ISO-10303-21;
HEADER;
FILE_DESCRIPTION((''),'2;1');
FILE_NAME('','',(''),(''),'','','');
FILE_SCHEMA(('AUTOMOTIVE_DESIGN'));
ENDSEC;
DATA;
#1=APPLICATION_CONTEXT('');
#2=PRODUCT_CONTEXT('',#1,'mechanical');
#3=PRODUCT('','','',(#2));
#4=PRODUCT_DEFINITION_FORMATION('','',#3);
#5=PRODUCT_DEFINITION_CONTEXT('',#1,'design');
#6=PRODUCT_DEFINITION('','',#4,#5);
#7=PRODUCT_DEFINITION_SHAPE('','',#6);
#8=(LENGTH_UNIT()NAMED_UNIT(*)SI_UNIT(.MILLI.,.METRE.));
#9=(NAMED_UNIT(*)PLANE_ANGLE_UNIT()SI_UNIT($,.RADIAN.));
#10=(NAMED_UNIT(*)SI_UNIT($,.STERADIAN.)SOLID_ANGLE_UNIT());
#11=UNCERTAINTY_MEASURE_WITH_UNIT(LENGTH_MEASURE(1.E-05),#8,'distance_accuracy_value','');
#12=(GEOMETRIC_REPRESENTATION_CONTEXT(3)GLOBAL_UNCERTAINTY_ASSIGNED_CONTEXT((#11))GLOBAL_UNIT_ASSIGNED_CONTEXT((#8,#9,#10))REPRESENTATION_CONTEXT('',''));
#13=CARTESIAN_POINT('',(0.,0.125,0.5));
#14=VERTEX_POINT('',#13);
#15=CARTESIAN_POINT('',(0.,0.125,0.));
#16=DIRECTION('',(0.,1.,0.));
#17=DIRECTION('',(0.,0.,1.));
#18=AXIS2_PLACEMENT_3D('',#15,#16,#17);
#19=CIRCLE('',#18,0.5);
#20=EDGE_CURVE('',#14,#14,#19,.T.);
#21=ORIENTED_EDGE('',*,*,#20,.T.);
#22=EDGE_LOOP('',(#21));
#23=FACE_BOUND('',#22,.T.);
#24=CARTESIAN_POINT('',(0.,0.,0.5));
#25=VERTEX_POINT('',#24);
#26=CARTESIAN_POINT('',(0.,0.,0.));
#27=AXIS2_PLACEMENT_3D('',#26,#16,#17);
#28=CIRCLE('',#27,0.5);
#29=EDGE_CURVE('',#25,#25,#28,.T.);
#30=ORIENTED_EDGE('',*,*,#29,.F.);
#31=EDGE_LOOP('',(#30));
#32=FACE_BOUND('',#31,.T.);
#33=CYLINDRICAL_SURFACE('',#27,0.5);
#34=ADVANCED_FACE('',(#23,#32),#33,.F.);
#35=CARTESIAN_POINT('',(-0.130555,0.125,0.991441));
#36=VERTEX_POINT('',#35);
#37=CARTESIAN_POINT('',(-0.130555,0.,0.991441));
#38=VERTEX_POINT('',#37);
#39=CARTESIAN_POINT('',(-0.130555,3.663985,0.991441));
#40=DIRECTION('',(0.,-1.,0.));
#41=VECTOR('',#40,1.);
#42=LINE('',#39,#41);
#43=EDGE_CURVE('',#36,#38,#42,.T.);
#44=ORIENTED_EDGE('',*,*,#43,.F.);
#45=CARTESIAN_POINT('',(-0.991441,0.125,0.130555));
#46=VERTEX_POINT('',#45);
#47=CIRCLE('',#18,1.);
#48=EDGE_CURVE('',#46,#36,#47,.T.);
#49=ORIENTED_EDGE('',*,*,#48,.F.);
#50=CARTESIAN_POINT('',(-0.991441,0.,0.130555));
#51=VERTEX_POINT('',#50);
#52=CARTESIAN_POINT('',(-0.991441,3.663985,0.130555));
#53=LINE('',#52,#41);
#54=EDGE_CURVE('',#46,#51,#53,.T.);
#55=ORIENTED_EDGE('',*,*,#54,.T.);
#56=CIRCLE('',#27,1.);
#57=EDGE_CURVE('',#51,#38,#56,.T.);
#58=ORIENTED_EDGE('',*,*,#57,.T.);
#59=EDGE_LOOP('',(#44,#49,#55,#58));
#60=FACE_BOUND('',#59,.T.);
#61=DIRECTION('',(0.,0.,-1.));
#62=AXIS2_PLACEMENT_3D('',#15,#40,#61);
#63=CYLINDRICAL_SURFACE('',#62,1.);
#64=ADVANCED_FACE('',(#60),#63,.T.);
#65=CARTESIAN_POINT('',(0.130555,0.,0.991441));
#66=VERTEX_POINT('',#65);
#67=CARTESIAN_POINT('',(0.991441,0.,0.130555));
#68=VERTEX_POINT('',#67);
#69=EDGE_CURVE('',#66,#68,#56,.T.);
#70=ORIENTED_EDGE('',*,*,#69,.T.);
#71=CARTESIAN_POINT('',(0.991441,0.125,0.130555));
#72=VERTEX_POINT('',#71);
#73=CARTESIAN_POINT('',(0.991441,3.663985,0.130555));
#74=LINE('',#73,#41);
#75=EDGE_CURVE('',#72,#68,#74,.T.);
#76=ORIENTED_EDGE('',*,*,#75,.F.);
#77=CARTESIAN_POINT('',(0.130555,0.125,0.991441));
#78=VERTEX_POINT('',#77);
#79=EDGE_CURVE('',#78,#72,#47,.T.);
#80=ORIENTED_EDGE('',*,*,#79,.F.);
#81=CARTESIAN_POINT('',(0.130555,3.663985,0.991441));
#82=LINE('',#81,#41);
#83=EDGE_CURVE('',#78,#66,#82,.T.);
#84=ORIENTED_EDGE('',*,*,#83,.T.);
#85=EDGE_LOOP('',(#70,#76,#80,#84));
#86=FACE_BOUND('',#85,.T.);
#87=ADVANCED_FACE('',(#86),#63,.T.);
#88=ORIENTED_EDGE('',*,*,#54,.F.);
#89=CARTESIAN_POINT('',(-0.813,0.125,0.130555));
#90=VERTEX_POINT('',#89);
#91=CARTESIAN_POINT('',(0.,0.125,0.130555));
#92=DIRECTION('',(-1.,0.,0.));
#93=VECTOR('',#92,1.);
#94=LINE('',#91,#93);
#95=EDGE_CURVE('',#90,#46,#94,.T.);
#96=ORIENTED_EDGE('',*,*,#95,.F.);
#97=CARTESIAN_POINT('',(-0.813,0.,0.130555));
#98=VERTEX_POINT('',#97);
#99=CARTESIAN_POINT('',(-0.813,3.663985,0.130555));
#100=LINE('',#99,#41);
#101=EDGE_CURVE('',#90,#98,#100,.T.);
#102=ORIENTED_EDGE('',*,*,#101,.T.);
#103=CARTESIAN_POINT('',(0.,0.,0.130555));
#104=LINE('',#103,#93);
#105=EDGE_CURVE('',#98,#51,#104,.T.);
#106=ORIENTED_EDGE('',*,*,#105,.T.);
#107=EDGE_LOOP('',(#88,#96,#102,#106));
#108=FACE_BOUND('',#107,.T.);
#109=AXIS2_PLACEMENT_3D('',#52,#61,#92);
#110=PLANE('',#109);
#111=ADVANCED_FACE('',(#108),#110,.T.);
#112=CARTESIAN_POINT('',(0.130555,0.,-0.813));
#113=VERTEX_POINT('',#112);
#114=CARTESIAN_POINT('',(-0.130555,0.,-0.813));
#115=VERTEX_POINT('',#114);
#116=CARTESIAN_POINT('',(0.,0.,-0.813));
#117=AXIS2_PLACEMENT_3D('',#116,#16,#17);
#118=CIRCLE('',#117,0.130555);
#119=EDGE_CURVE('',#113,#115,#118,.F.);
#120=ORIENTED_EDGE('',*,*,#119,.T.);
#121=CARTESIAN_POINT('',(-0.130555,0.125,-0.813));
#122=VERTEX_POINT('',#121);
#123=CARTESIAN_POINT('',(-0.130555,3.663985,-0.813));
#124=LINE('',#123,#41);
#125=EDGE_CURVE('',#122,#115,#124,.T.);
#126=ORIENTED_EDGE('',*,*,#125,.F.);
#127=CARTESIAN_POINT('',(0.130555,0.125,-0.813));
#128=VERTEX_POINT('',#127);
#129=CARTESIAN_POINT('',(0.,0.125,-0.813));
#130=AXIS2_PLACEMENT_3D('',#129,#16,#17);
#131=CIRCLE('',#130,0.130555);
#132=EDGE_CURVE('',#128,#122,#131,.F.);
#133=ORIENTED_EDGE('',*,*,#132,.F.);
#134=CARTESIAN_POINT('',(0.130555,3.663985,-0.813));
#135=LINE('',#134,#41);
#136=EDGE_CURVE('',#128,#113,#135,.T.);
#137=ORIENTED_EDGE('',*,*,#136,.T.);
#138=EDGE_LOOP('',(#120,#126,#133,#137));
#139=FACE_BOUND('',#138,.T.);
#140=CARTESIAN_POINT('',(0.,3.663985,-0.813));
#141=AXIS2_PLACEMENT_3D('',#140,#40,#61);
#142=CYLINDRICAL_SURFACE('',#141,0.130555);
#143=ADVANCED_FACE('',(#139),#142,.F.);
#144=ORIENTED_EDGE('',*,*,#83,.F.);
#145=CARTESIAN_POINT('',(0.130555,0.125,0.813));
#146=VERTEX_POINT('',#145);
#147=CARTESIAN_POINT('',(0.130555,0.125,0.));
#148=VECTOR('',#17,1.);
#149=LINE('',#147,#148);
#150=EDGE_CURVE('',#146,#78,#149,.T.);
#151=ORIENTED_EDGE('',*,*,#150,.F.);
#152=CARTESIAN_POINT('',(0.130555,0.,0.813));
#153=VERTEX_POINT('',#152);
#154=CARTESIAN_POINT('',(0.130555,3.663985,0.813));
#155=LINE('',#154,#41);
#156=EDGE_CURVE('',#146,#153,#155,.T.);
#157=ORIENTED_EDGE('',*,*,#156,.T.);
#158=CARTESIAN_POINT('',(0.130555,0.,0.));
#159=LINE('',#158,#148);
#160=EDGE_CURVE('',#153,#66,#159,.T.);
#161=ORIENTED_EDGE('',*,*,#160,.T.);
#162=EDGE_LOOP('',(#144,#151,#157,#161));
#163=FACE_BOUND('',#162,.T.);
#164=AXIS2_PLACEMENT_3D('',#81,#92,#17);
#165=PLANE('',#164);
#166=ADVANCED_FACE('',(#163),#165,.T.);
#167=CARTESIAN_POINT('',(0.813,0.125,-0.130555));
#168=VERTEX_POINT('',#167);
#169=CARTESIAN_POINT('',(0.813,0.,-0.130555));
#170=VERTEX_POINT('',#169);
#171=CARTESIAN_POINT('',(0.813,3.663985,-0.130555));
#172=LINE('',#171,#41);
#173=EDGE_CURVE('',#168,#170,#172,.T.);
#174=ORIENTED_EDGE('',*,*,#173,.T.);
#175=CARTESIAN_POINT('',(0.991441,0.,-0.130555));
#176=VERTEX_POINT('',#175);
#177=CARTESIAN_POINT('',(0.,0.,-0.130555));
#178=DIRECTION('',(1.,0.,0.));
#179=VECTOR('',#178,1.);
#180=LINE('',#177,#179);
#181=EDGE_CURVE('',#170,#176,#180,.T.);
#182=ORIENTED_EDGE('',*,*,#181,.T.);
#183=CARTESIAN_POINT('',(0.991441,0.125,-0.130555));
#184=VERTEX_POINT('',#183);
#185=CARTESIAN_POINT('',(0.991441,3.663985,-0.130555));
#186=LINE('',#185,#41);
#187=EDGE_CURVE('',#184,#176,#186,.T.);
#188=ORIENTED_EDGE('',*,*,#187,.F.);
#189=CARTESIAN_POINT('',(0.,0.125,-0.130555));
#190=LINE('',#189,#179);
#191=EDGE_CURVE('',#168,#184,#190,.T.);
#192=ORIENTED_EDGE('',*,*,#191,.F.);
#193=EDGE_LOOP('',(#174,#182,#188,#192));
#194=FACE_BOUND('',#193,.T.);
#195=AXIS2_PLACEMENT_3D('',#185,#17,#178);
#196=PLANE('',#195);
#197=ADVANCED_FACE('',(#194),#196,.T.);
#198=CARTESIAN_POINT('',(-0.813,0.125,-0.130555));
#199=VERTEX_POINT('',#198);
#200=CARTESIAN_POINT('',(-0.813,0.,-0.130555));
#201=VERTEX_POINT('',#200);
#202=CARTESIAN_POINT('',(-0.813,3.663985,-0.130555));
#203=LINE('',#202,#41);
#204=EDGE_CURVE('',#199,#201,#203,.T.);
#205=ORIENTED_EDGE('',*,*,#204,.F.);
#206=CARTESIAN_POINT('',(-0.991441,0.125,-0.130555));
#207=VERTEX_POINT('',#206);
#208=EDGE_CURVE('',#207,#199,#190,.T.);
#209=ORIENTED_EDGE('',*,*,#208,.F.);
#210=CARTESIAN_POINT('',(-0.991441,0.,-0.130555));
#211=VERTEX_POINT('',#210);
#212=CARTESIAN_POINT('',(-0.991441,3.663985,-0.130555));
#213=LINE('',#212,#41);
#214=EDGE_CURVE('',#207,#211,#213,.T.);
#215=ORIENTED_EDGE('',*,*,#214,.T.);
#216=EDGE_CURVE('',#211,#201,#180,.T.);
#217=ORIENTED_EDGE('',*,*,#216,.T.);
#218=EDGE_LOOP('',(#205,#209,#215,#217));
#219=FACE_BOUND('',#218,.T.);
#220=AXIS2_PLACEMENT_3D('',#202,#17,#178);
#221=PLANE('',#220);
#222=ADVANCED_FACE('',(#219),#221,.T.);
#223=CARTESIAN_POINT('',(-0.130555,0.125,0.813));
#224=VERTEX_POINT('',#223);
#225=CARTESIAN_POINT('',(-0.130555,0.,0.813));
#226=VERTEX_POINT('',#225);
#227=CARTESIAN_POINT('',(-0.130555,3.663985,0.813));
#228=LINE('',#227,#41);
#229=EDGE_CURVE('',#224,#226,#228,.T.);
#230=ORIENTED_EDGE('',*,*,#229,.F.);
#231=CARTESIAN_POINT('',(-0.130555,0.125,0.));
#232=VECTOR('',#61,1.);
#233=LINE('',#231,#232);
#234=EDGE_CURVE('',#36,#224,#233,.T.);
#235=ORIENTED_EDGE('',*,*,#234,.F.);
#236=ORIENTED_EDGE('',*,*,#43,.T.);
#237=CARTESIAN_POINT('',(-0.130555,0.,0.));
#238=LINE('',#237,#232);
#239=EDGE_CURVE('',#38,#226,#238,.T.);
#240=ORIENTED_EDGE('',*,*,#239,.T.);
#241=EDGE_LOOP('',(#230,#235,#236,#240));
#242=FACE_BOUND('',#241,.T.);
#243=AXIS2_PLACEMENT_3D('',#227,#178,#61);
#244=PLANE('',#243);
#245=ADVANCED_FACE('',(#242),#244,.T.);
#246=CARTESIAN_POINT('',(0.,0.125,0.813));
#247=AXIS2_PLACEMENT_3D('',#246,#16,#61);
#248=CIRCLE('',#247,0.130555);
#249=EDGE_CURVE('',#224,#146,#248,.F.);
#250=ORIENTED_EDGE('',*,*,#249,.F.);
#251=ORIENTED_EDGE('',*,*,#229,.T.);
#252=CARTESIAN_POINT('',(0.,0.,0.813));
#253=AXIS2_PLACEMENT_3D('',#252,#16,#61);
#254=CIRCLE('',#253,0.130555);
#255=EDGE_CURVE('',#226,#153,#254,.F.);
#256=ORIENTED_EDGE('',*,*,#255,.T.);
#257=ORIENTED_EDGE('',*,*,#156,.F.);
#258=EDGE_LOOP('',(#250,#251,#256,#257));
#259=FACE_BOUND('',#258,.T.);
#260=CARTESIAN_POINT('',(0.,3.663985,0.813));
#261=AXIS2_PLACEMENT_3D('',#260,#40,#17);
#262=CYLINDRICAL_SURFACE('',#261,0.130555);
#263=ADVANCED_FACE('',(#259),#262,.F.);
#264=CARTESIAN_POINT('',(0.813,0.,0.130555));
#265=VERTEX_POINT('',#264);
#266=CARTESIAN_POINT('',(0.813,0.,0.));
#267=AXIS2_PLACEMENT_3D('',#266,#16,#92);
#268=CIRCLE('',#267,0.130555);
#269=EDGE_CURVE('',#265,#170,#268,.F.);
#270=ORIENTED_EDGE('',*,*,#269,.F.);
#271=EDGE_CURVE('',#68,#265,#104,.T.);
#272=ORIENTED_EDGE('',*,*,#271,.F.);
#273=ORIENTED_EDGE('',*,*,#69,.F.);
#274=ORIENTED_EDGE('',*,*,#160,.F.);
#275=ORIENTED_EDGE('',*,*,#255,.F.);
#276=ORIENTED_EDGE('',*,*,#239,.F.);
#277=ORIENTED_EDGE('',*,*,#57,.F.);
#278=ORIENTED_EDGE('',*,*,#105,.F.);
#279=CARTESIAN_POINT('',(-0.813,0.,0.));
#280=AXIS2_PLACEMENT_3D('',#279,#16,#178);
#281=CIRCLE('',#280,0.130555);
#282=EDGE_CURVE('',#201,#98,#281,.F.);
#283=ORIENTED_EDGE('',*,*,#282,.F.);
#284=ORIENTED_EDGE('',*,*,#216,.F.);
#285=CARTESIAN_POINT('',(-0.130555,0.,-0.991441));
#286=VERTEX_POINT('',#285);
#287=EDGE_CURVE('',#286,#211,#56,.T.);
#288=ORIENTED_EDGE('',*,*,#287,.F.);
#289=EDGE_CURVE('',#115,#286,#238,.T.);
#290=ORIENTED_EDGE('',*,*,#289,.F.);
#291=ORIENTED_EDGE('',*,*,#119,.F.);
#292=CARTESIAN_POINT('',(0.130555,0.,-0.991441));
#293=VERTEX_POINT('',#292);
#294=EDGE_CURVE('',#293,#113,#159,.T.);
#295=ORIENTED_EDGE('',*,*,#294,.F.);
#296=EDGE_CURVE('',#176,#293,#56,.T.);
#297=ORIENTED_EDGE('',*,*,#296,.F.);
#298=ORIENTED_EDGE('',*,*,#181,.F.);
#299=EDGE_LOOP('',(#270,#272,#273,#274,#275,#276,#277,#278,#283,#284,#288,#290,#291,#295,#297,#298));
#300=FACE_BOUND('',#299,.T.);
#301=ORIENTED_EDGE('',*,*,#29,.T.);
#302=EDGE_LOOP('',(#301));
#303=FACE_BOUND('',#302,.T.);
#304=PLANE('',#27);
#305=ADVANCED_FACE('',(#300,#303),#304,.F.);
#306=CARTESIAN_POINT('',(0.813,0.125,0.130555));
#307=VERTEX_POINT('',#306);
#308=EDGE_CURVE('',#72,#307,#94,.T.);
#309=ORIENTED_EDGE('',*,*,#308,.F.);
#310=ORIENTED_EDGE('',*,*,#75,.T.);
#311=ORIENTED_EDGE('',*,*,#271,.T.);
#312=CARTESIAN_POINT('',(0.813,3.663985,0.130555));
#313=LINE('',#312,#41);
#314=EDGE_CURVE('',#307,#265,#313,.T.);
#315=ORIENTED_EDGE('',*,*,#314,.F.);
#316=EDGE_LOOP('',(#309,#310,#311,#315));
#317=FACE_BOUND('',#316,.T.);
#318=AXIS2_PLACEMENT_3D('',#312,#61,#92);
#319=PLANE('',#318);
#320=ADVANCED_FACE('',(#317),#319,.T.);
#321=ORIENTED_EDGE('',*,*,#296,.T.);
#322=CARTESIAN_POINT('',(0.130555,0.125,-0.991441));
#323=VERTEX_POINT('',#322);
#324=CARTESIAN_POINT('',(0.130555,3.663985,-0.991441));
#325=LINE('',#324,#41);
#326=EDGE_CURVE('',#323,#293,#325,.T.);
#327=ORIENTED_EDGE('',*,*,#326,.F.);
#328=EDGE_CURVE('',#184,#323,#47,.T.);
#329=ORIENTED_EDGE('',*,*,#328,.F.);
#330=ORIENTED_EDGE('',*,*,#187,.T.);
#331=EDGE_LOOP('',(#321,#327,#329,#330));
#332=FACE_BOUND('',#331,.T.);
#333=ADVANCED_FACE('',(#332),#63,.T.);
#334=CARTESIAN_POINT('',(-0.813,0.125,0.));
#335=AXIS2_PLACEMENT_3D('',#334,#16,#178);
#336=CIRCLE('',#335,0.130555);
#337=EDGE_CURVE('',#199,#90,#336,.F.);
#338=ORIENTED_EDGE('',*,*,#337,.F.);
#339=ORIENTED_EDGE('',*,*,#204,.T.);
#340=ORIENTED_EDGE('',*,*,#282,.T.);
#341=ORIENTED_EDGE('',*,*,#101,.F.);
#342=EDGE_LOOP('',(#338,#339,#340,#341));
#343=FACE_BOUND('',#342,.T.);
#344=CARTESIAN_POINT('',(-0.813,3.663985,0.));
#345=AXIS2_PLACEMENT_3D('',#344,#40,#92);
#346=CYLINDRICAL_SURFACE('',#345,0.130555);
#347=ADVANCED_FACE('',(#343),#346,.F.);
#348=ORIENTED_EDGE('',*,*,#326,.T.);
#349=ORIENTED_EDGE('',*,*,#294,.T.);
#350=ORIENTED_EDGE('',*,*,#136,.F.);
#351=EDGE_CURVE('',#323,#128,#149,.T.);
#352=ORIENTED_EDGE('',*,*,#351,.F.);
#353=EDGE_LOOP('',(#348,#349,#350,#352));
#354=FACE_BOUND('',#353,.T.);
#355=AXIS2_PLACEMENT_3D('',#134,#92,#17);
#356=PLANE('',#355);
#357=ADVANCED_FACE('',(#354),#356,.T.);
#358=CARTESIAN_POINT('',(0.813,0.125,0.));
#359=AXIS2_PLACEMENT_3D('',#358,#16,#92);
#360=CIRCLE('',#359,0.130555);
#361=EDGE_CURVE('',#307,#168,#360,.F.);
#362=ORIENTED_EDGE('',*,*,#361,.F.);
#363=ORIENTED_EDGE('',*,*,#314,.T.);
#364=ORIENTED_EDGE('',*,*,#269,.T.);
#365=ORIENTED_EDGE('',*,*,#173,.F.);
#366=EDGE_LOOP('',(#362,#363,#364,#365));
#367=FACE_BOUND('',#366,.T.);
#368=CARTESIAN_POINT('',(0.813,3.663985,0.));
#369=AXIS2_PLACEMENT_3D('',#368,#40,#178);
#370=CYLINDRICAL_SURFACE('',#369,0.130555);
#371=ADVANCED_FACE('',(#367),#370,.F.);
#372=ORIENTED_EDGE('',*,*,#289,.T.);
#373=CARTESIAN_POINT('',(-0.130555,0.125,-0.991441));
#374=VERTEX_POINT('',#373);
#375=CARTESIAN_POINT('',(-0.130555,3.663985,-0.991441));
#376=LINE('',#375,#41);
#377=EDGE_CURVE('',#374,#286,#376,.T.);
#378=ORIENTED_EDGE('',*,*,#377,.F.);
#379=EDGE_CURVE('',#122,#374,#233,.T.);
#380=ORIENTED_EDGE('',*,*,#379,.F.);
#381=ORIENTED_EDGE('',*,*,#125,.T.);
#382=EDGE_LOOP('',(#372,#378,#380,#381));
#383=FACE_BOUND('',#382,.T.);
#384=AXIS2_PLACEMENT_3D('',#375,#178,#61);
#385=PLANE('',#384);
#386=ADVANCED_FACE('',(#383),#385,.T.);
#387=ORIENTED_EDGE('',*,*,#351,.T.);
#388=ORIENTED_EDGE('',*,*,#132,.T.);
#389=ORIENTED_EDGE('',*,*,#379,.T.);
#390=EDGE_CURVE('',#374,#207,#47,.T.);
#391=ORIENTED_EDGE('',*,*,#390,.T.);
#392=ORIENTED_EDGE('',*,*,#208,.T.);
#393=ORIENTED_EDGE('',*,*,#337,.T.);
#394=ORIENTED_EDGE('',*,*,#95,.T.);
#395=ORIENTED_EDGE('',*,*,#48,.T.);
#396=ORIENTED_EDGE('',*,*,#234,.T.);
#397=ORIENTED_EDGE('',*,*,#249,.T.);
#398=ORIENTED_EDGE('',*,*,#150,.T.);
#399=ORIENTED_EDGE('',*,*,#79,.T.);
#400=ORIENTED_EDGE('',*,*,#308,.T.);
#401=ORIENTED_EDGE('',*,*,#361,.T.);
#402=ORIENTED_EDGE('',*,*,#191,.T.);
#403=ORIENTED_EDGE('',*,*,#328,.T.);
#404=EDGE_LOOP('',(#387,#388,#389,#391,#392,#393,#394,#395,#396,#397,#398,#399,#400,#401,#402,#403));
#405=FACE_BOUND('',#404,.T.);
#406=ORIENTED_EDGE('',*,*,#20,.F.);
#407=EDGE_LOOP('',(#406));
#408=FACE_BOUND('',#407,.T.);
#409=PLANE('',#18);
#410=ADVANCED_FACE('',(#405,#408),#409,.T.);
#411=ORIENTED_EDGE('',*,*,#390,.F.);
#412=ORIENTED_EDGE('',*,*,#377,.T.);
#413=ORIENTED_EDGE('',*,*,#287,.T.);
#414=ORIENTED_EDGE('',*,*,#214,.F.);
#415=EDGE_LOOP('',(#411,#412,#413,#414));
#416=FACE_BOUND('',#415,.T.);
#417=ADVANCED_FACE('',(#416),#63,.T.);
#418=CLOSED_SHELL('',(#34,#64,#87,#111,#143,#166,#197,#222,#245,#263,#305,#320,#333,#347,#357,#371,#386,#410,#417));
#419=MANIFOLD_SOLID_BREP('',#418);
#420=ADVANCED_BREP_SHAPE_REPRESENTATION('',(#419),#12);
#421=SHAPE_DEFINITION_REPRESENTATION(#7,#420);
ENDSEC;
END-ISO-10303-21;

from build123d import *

# Parameters (mm, degrees)
SKETCH1_R           = 1
BOSS_EXTRUDE2_DEPTH = 0.125
CUT_EXTRUDE1_DEPTH  = 2.419727086
CIRPATTERN1_COUNT   = 4
SKETCH4_R           = 0.5
CUT_EXTRUDE2_DEPTH  = 2.40767025


with BuildPart() as part:
    # Sketch1 → Boss-Extrude2 (new body)
    with BuildSketch(Plane(origin=(0, 0, 0), x_dir=(1, 0, 0), z_dir=(0, 1, 0))):
        with Locations(Location((0, 0, 0), (0, 0, 270))):
            Circle(SKETCH1_R)
    extrude(amount=BOSS_EXTRUDE2_DEPTH)

    # Sketch3 → Cut-Extrude1 (cut, symmetric)
    with BuildSketch(Plane(origin=(0, 0.125, 0), x_dir=(1, 0, 0), z_dir=(0, 1, 0))):
        with BuildLine():
            Line((-0.130555483, 15.571394269), (-0.130555483, 0.991441005))
            Line((-0.130555483, 0.991441005), (-0.130555483, 0.813))
            ThreePointArc((-0.130555483, 0.813), (0, 0.682444517), (0.130555483, 0.813))
            Line((0.130555483, 0.813), (0.130555483, 0.991441005))
            Line((0.130555483, 0.991441005), (0.130555483, 15.571394269))
            Line((0.130555483, 15.571394269), (0.130555483, 44.731300798))
            Line((0.130555483, 44.731300798), (-0.130555483, 44.731300798))
            Line((-0.130555483, 44.731300798), (-0.130555483, 15.571394269))
        make_face()
    cut_extrude1 = extrude(amount=CUT_EXTRUDE1_DEPTH, both=True, mode=Mode.SUBTRACT)

    # CirPattern1: Cut-Extrude1 ×4 about axis
    cirpattern1_axis = Axis((0, 0, 0), (0, 1, 0))
    for i in range(1, CIRPATTERN1_COUNT):
        add(cut_extrude1.rotate(cirpattern1_axis, i * 360 / CIRPATTERN1_COUNT), mode=Mode.SUBTRACT)

    # Sketch4 → Cut-Extrude2 (cut, through all)
    with BuildSketch(Plane(origin=(0, 0.125, 0), x_dir=(1, 0, 0), z_dir=(0, 1, 0))):
        with Locations(Location((0, 0, 0), (0, 0, 270))):
            Circle(SKETCH4_R)
    extrude(amount=-CUT_EXTRUDE2_DEPTH, mode=Mode.SUBTRACT)


solid = part.part
